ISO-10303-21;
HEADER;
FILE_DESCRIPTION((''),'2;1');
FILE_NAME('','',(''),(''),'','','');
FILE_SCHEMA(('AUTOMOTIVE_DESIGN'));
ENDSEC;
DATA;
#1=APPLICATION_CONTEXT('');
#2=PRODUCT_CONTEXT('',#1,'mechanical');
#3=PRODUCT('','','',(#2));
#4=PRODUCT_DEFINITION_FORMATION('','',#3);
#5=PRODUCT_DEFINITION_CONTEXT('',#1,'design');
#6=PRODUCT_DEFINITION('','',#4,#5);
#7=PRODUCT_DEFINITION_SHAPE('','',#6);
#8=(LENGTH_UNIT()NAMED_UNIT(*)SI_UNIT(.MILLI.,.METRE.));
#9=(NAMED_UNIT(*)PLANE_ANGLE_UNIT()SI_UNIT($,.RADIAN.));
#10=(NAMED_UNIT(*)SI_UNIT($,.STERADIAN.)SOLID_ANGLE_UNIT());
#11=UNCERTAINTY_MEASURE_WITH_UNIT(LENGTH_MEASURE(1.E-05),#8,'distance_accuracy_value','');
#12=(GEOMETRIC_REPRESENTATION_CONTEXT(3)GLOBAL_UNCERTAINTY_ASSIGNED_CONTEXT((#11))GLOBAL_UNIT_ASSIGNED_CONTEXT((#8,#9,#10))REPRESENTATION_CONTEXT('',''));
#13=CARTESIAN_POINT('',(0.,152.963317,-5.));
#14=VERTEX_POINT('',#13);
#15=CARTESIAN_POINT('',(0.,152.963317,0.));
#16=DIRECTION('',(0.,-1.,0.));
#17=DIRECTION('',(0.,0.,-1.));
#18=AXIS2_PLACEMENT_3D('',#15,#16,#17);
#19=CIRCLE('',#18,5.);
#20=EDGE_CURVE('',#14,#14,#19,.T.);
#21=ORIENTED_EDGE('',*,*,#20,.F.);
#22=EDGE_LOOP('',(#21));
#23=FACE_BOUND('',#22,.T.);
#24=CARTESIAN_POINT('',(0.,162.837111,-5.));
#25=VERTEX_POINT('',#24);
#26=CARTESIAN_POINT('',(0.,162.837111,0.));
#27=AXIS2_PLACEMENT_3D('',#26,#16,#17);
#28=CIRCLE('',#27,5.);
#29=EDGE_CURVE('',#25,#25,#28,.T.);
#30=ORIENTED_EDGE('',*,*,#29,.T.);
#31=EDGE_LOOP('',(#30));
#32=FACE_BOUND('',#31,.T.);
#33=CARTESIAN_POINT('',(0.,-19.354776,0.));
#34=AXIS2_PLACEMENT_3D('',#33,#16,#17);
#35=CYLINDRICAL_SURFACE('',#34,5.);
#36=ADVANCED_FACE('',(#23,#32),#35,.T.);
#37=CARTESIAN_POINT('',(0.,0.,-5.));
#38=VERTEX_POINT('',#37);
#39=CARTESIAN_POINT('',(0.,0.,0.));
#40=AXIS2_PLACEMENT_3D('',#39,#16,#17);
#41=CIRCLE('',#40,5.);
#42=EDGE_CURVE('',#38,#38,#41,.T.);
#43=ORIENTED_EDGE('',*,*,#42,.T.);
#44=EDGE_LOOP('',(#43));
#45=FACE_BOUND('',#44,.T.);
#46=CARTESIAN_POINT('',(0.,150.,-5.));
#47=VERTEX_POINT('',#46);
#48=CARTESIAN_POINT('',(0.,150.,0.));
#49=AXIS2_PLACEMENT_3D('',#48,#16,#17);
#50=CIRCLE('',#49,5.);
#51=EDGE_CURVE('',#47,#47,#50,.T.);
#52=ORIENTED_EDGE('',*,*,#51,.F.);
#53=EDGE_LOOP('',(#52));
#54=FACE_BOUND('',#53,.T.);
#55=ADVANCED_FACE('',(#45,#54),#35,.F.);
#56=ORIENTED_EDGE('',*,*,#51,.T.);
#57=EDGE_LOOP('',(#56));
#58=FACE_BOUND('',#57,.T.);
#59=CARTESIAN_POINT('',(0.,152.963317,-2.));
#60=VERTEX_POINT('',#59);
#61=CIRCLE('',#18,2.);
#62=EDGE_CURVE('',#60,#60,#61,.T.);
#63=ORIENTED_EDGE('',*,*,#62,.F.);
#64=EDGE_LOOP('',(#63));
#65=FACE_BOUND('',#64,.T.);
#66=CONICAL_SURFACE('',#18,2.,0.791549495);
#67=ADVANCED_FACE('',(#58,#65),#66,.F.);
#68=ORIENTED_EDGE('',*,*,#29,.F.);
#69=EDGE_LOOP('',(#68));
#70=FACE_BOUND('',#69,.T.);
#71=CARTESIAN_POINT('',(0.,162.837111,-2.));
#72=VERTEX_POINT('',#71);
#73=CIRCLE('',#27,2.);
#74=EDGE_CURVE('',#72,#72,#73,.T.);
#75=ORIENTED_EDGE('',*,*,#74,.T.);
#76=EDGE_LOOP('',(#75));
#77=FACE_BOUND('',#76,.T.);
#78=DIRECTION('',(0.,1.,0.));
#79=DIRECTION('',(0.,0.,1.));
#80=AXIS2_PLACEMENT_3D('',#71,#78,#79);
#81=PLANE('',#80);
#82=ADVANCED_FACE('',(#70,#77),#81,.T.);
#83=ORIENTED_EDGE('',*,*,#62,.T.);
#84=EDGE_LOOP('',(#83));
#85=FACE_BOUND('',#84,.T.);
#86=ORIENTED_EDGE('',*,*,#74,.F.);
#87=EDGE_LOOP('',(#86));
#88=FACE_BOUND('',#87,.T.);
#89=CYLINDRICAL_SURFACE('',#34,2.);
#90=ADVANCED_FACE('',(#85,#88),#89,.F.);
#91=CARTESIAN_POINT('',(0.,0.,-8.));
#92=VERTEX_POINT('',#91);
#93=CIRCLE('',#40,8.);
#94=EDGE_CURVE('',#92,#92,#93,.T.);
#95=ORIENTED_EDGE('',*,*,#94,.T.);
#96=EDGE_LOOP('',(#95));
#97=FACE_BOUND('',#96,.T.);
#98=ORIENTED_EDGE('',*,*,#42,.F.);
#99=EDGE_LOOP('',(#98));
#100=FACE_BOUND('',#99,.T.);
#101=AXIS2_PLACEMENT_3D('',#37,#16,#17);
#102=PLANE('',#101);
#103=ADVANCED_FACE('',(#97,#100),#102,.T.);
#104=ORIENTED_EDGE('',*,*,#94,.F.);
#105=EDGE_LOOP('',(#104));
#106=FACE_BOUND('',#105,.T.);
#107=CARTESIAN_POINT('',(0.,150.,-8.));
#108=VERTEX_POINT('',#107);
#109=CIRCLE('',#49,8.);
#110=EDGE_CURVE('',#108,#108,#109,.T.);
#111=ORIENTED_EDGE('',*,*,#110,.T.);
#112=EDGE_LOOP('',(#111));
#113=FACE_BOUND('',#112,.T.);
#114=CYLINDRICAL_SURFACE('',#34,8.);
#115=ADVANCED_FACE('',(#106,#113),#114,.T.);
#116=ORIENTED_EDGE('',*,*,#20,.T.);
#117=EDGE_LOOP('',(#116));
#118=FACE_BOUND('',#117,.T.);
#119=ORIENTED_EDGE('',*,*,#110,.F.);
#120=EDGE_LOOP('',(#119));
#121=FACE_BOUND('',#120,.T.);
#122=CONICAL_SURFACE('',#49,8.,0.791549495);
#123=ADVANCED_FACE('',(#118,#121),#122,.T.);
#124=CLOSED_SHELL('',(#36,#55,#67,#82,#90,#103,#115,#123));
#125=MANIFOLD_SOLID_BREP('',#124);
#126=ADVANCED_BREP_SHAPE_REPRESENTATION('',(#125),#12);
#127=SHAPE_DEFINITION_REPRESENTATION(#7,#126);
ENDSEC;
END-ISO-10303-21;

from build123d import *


with BuildPart() as part:
    # Эскиз1 → Повернуть1 (revolve)
    with BuildSketch(Plane(origin=(0, 0, 0), x_dir=(0, 0, -1), z_dir=(1, 0, 0))):
        Polygon((5, 150), (2, 152.963317198), (2, 162.837111471), (5, 162.837111471), (5, 152.963317198), (8, 150), (8, 0), (5, 0), align=None)
    revolve(axis=Axis((0, -19.35477628, 0), (0, 1, 0)))


solid = part.part
